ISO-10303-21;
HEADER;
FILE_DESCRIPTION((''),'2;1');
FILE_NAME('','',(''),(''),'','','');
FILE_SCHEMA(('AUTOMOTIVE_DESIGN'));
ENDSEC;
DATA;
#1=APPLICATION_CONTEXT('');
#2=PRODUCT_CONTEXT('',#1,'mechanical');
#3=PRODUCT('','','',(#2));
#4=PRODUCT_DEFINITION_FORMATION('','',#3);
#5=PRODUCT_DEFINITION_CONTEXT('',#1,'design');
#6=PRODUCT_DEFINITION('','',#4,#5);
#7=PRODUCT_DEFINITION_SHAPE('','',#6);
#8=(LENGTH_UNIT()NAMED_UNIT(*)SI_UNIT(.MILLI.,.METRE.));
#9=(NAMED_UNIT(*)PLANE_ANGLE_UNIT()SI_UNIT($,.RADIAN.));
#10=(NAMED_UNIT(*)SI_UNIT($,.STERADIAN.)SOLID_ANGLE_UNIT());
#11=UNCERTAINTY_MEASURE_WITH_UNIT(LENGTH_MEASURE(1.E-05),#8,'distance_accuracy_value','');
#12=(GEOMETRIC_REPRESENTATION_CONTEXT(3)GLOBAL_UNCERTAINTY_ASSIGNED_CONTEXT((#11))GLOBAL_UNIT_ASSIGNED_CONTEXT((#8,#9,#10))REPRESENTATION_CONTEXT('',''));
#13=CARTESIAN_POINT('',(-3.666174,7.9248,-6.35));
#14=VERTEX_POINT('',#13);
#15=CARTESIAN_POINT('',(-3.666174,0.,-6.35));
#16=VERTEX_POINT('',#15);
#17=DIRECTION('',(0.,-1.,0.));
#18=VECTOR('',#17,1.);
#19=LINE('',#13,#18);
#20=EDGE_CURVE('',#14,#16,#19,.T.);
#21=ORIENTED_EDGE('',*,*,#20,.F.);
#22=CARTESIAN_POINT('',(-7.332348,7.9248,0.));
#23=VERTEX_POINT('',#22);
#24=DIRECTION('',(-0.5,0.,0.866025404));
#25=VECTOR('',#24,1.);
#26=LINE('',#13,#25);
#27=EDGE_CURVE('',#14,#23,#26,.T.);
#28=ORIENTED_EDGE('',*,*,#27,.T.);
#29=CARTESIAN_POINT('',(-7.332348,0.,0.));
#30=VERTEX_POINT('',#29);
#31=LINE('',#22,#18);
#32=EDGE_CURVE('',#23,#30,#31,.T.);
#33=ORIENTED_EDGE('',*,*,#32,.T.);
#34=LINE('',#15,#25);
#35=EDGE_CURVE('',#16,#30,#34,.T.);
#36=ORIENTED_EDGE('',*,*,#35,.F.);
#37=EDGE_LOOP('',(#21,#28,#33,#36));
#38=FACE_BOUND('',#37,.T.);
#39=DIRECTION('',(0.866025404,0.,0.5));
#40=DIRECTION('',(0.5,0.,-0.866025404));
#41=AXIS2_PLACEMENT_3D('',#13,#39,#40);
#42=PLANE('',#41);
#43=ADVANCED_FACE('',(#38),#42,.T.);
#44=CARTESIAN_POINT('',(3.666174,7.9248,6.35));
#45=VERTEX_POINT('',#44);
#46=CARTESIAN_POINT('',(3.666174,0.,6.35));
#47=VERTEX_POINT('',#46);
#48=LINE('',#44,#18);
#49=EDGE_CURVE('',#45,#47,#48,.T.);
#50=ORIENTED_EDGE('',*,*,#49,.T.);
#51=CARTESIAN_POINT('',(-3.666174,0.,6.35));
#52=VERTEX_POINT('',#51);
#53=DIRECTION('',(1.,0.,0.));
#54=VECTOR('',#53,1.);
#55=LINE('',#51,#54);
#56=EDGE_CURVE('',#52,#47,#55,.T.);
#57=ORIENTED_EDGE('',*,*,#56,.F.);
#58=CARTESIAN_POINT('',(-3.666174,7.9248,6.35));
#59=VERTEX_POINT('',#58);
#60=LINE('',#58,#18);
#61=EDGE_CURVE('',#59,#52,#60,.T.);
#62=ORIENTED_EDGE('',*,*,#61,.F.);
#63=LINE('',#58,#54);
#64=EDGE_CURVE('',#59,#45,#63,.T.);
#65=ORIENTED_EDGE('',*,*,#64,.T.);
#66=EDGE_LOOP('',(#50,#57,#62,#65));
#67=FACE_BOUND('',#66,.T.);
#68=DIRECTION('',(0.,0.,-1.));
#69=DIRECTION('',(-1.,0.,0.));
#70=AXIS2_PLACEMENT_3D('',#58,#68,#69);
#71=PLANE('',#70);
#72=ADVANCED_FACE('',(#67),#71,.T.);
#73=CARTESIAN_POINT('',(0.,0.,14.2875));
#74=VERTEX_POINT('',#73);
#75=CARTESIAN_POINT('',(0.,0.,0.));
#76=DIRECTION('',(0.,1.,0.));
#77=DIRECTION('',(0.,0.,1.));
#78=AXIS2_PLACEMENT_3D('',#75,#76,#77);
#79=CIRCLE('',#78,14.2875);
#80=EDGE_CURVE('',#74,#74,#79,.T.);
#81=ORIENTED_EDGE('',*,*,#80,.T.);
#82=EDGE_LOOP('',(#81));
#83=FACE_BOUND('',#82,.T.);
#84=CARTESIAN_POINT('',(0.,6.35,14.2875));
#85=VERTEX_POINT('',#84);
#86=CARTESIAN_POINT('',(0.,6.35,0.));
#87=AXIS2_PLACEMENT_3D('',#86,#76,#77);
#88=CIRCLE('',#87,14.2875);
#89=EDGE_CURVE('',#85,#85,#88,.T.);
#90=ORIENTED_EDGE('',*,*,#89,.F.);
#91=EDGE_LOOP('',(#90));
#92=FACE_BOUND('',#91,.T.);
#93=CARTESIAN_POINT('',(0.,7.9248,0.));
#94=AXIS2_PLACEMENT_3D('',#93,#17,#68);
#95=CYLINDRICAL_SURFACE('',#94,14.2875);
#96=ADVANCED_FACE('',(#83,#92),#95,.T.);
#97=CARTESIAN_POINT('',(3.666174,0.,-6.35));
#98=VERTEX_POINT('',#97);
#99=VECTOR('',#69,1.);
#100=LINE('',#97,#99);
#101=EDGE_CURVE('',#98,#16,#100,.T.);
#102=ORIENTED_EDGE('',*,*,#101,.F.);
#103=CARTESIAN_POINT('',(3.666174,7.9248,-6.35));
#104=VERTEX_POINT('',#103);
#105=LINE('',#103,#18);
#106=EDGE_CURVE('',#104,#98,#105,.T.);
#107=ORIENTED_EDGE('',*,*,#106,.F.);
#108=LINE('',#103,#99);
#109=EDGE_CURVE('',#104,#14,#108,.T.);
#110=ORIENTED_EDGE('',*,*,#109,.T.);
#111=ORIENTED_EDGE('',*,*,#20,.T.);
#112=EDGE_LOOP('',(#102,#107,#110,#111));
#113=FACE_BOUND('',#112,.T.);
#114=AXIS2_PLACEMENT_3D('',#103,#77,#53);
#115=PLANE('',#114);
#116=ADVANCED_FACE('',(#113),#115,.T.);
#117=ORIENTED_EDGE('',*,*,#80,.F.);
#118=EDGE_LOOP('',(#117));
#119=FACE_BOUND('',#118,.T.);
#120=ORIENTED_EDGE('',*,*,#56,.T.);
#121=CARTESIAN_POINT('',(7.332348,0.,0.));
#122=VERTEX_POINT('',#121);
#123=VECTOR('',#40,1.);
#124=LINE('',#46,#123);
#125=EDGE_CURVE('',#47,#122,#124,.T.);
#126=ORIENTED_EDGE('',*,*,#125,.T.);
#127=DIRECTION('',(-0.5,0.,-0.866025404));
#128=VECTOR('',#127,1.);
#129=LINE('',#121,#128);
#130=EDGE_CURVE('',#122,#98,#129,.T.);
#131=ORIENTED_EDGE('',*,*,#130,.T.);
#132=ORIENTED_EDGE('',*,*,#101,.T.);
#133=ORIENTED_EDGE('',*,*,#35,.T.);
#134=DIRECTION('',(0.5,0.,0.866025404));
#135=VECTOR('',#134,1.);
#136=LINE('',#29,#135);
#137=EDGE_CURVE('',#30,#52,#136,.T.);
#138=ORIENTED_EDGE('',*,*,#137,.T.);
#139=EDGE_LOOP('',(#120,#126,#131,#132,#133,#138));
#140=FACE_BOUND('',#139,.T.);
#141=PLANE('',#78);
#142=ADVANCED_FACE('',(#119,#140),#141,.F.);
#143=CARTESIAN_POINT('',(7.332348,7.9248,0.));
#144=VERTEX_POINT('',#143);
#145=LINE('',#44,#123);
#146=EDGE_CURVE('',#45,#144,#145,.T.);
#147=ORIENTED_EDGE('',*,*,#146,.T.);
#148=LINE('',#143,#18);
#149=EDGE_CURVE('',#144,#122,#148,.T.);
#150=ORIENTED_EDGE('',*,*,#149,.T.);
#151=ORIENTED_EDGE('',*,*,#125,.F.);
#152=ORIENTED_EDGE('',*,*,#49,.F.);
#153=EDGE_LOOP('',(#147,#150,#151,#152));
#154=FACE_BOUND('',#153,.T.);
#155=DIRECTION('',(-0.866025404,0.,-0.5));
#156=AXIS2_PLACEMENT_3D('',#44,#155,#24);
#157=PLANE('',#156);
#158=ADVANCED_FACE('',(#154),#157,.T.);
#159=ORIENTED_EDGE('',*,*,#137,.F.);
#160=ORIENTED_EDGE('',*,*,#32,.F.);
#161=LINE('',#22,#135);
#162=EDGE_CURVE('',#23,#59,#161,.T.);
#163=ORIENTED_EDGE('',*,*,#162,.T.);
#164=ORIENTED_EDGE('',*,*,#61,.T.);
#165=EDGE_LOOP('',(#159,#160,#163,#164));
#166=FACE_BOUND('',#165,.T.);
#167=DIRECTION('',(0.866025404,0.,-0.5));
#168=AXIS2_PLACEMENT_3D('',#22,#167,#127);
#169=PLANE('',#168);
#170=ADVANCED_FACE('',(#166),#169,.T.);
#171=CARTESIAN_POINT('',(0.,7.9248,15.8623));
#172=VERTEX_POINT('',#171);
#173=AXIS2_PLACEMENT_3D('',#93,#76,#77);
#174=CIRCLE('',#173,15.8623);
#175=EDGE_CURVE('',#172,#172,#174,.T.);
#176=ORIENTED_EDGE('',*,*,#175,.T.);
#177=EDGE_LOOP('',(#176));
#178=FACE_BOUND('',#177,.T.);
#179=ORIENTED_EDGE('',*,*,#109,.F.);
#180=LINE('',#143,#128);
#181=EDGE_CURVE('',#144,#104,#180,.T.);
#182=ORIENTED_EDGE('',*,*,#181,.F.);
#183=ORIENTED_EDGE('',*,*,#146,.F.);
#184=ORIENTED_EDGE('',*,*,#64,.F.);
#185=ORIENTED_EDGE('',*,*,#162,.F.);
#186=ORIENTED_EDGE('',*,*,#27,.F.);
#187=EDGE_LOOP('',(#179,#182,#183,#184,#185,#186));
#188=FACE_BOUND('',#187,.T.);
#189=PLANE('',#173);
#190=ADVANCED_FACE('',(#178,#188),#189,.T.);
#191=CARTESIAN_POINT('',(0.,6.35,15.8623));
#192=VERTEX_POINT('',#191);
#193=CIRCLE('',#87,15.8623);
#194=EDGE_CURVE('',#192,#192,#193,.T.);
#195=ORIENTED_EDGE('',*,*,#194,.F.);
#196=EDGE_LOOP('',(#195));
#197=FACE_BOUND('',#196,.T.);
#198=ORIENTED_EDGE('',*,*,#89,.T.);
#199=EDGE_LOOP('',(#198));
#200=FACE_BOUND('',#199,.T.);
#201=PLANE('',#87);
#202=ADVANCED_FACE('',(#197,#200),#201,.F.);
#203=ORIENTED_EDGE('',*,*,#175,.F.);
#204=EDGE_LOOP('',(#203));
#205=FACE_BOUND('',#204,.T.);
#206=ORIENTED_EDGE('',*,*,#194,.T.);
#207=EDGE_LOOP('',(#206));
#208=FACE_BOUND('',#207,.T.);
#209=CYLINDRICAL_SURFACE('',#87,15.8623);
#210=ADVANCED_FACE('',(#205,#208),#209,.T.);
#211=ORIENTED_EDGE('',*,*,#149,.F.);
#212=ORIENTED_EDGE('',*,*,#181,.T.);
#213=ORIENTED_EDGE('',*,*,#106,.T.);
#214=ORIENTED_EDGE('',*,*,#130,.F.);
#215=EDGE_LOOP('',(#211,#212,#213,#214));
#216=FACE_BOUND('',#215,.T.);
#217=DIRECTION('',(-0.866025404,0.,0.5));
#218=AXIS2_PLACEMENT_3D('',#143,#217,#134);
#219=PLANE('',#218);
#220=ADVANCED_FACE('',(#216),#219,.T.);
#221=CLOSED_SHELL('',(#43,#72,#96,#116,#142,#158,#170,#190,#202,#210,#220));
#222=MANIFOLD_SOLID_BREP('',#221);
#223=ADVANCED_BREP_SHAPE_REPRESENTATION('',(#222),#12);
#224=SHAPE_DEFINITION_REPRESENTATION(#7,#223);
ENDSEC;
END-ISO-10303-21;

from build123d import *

# Parameters (mm, degrees)
SKETCH1_R           = 14.2875
BOSS_EXTRUDE1_DEPTH = 7.9248
SKETCH2_R           = 15.8623
SKETCH2_R_2         = 14.2875
BOSS_EXTRUDE2_DEPTH = 1.5748


with BuildPart() as part:
    # Sketch1 → Boss-Extrude1 (new body)
    with BuildSketch(Plane(origin=(0, 0, 0), x_dir=(1, 0, 0), z_dir=(0, 1, 0))):
        Circle(SKETCH1_R)
        Polygon((-3.666174209, 6.35), (-7.332348419, 0), (-3.666174209, -6.35), (3.666174209, -6.35), (7.332348419, 0), (3.666174209, 6.35), align=None, mode=Mode.SUBTRACT)
    extrude(amount=BOSS_EXTRUDE1_DEPTH)

    # Sketch2 → Boss-Extrude2 (add)
    with BuildSketch(Plane(origin=(0, 7.9248, 0), x_dir=(1, 0, 0), z_dir=(0, 1, 0))):
        Circle(SKETCH2_R)
        Circle(SKETCH2_R_2, mode=Mode.SUBTRACT)
    extrude(amount=-BOSS_EXTRUDE2_DEPTH)


solid = part.part
